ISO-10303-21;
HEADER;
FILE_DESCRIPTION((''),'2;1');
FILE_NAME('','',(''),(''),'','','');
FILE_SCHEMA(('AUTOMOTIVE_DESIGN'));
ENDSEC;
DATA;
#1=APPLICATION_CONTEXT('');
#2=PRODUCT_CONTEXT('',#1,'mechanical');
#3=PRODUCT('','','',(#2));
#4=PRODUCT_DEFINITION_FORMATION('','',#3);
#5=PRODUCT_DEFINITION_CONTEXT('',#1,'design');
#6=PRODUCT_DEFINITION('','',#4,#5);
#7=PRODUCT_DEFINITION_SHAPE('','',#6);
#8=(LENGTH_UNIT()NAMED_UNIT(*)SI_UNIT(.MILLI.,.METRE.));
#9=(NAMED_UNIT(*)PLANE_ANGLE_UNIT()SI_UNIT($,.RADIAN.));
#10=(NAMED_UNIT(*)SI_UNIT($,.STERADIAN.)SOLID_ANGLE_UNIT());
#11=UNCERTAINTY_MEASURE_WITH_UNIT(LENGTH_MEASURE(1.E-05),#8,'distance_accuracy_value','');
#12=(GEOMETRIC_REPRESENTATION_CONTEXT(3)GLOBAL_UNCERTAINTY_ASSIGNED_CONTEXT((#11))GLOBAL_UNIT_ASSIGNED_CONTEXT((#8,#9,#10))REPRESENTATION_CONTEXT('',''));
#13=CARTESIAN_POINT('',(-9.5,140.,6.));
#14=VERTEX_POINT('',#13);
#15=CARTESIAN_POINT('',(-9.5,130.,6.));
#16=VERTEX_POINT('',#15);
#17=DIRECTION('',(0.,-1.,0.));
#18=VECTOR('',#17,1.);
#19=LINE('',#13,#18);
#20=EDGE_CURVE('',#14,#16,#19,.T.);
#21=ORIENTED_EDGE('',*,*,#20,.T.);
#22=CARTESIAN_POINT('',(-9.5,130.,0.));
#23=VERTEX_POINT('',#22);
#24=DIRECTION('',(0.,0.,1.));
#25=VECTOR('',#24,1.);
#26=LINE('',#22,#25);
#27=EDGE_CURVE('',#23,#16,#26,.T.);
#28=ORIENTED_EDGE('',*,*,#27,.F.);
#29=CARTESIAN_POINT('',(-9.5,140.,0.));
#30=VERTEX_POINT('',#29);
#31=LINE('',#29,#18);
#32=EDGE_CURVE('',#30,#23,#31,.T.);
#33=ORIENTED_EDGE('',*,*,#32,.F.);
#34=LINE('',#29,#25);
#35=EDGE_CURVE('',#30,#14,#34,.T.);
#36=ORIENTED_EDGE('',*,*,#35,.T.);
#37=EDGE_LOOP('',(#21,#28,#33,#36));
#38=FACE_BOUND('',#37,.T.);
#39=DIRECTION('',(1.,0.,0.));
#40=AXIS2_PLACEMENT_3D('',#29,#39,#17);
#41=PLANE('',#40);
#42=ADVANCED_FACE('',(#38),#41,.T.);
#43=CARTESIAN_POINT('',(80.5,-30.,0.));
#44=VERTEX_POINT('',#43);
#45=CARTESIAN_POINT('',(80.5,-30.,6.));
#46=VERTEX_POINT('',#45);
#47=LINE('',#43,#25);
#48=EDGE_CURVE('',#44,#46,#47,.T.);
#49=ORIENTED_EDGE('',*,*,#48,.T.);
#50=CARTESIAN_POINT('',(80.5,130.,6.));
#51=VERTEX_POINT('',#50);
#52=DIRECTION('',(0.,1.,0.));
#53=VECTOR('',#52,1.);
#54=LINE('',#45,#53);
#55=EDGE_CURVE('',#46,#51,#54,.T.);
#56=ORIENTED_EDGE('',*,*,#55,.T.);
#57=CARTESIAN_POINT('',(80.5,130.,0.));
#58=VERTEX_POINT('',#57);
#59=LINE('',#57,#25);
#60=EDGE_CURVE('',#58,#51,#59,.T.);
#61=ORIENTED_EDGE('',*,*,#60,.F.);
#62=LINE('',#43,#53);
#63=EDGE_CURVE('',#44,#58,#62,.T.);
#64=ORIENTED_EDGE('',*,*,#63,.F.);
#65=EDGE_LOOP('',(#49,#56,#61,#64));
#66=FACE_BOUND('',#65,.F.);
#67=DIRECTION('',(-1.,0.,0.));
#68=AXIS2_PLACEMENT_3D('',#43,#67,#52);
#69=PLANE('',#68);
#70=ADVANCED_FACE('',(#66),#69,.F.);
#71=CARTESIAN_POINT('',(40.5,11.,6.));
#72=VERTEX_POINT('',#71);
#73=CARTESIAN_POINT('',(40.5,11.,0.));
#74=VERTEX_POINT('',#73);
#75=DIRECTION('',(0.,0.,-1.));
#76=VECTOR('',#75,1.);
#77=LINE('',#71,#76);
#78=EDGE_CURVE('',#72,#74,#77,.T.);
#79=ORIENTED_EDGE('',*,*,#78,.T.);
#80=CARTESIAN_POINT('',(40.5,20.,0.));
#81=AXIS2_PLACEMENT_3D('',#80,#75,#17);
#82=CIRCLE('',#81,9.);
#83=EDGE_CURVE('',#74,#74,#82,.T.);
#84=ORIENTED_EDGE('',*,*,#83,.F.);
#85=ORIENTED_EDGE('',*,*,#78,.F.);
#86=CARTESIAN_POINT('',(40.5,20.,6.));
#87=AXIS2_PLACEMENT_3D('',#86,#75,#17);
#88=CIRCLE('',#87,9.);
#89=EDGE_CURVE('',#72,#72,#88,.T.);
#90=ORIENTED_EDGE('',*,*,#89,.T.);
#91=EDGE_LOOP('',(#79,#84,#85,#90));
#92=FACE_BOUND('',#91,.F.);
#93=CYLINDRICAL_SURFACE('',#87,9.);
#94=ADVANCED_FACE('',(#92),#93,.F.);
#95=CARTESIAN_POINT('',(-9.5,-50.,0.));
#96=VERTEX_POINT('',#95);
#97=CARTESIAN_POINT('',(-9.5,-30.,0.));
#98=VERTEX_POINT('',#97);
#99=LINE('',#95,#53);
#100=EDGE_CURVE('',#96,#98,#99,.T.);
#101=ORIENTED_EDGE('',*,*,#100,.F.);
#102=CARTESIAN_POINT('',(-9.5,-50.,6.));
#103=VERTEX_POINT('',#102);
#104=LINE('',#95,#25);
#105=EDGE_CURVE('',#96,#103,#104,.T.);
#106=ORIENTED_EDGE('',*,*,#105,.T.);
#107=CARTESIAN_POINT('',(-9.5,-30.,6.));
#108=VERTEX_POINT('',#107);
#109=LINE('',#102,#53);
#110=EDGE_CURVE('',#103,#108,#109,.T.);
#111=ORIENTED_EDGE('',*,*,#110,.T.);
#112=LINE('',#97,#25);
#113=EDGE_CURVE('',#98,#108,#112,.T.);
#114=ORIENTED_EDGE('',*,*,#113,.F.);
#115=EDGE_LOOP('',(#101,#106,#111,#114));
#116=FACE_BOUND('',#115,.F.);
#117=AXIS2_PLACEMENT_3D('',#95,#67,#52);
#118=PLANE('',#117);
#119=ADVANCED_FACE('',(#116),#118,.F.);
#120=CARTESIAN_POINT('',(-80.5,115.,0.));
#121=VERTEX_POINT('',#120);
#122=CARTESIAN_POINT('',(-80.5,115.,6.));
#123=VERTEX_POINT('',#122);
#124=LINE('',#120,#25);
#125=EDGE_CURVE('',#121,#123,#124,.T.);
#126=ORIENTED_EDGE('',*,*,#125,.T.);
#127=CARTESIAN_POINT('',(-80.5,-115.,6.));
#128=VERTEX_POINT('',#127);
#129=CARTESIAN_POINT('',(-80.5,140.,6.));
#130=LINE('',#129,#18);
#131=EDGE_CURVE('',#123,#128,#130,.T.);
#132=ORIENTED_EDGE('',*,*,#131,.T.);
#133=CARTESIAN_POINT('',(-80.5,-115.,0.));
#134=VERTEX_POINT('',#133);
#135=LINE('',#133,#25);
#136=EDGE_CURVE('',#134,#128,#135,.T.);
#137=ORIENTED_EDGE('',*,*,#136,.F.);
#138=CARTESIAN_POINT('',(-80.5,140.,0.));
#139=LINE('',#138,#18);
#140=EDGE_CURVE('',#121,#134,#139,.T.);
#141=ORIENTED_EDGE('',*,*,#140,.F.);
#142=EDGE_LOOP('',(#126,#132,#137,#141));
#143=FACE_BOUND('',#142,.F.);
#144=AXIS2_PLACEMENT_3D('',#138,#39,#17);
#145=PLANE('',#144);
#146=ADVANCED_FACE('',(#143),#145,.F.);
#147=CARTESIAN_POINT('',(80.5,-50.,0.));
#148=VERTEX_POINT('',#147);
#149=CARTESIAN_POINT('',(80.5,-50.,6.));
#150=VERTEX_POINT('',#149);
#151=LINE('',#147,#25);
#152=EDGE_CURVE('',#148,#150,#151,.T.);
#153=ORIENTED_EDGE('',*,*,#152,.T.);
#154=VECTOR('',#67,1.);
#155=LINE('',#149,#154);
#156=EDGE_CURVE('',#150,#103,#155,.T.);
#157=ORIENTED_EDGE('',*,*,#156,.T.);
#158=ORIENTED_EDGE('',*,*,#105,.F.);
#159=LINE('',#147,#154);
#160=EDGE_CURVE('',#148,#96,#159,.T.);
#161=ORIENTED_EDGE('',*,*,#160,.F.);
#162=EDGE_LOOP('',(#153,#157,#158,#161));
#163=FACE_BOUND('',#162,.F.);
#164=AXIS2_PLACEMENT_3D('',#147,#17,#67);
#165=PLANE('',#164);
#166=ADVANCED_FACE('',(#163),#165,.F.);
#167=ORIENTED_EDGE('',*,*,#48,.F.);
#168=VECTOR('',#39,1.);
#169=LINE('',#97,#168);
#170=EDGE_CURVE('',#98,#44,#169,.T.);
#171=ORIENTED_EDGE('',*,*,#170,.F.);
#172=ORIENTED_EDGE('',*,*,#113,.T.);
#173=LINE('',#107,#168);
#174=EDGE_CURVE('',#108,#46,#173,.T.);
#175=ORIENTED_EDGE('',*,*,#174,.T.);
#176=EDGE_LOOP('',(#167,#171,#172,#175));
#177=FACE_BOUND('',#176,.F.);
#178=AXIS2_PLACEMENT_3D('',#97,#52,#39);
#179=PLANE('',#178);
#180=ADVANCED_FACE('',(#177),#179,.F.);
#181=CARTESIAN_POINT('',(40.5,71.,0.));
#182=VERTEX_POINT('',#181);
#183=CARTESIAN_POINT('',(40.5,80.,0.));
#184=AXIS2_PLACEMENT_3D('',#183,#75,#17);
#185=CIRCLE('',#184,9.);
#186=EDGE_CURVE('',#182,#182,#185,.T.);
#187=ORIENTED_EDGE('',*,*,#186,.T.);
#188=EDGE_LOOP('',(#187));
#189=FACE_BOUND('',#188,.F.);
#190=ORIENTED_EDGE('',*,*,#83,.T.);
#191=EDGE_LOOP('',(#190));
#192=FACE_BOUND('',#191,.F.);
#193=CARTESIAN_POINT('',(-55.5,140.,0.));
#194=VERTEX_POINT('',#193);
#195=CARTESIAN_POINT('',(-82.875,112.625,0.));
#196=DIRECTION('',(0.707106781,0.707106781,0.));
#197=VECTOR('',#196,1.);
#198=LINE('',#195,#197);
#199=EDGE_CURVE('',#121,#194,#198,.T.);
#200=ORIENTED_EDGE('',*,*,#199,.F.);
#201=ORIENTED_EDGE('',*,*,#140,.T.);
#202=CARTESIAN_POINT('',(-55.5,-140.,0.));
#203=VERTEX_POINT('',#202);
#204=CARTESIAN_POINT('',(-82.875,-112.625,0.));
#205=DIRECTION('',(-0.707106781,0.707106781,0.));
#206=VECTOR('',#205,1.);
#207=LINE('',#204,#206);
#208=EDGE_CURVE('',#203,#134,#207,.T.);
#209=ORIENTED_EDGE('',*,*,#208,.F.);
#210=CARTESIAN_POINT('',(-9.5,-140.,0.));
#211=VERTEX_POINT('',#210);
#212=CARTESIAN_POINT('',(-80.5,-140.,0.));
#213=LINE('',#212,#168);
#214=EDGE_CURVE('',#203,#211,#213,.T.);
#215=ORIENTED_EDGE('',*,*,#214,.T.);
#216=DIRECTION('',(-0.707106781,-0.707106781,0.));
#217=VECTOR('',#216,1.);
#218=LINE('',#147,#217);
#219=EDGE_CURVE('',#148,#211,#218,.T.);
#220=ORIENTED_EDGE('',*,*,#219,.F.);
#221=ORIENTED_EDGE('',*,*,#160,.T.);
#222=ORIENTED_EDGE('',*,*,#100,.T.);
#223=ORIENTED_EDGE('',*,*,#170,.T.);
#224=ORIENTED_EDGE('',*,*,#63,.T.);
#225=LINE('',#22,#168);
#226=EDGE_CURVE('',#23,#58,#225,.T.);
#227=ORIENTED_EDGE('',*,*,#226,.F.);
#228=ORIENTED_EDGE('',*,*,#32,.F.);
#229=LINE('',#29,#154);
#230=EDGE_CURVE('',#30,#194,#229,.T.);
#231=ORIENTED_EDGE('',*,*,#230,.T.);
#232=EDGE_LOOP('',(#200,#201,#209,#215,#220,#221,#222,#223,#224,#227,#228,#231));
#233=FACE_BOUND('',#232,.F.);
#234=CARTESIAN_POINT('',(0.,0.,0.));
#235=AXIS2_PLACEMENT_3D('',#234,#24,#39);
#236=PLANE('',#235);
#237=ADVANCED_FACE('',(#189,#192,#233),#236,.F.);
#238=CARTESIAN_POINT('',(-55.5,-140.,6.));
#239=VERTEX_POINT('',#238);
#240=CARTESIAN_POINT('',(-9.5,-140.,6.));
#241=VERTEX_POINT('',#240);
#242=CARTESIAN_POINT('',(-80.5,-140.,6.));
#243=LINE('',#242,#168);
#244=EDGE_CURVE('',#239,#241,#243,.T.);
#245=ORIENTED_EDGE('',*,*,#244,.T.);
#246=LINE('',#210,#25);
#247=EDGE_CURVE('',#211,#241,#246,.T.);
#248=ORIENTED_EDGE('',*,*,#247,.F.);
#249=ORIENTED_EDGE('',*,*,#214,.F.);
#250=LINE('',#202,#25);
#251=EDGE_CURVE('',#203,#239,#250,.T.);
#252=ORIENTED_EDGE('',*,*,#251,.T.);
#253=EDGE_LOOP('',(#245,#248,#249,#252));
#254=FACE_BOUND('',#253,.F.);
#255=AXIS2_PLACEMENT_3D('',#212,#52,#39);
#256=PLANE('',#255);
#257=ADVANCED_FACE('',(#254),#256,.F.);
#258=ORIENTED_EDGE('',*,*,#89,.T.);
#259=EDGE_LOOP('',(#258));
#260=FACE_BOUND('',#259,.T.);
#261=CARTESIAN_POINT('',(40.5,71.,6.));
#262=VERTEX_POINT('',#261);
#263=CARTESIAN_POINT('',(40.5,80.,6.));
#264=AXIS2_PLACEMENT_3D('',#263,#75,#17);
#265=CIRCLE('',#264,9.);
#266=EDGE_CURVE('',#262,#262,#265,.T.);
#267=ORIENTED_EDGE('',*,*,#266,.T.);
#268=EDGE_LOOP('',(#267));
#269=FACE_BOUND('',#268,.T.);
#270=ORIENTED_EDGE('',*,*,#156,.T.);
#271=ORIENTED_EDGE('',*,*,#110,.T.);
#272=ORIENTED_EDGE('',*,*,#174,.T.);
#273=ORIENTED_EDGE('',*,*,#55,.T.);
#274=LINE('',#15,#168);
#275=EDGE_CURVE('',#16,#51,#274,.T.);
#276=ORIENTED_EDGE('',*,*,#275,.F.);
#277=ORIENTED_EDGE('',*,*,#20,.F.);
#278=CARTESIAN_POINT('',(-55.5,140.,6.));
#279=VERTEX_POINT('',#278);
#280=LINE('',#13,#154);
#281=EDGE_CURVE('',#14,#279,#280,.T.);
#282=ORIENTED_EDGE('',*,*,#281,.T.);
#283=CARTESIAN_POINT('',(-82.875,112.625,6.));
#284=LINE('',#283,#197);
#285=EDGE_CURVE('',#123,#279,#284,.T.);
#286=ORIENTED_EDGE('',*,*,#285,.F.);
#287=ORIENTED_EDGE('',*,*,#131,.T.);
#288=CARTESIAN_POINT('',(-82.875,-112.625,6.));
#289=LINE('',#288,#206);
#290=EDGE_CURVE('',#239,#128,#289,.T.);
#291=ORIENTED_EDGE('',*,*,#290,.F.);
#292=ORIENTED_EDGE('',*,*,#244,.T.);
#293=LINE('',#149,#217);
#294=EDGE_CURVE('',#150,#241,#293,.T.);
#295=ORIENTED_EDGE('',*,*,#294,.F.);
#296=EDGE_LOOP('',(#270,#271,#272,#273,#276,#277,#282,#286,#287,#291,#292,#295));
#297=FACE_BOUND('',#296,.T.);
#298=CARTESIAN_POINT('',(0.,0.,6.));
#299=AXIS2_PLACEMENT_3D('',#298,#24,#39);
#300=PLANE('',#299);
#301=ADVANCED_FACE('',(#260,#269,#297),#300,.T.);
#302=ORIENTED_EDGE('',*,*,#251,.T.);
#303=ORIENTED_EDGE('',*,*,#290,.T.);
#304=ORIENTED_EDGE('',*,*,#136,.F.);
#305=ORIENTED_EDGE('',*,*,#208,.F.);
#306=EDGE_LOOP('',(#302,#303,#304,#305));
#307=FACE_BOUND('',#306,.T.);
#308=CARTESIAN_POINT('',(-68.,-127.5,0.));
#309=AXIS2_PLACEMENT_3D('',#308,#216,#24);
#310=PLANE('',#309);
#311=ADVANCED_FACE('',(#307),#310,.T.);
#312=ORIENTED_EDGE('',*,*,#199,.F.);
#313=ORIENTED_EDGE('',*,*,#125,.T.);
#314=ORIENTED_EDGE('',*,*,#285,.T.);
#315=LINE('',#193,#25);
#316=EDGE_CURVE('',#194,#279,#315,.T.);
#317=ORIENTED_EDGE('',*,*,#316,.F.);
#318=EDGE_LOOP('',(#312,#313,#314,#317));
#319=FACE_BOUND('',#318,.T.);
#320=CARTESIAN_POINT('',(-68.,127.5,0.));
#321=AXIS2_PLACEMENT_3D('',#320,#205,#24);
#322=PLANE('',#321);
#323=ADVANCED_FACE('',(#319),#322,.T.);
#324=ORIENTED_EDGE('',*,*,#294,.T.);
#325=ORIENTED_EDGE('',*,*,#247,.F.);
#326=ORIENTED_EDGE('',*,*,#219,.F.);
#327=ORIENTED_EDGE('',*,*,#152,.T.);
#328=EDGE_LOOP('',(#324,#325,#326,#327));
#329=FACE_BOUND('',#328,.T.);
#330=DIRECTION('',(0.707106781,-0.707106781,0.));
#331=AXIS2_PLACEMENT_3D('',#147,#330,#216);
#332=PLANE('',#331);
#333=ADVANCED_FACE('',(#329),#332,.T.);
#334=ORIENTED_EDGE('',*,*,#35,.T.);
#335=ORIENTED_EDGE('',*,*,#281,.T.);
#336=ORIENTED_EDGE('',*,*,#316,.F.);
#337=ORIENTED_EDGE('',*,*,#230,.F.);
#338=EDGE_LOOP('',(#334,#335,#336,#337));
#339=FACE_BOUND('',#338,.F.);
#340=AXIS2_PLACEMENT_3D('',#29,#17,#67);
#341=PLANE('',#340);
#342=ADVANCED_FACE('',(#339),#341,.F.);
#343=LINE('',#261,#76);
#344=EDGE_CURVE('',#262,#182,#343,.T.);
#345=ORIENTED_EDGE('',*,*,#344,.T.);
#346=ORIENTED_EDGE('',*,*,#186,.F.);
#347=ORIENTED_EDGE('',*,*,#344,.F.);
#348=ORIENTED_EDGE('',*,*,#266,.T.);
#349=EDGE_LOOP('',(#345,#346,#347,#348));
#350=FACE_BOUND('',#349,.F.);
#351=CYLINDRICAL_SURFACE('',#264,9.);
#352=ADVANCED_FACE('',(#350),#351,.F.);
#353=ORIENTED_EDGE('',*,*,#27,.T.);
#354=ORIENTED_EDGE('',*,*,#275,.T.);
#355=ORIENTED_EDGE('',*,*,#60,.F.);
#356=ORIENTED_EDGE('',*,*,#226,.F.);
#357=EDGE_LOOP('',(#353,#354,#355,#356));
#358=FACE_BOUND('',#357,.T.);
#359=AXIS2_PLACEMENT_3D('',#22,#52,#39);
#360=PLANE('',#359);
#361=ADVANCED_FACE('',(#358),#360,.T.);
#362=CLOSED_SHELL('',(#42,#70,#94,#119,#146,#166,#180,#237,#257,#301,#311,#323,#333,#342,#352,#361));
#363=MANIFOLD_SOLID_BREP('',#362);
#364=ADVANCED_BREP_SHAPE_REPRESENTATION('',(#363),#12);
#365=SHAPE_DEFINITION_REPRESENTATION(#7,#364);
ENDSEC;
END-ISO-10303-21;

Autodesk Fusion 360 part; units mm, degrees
sketch "スケッチ1" plane through (0, 0, 0) normal (0, 0, 1) x (1, 0, 0)
  line L0 (-9.5, 140) -> (-80.5, 140)
  line L1 (-80.5, 140) -> (-80.5, -140)
  line L2 (-80.5, -140) -> (-9.5, -140)
  line L3 (80.5, -30) -> (80.5, 130)
  line L4 (74.75, 130) -> (-80.5, -140) construction
  line L5 (-9.5, 140) -> (-9.5, 130)
  line L6 (-9.5, 130) -> (80.5, 130)
  line L7 (-80.5, -140) -> (-9.5, -140) construction
  line L8 (80.5, -50) -> (-9.5, -140)
  line L9 (80.5, -50) -> (-9.5, -50)
  line L10 (-9.5, -50) -> (-9.5, -30)
  line L11 (-9.5, -30) -> (80.5, -30)
  line L12 (-80.5, 140) -> (17.25, -30) construction
  line L13 (28.75, -50) -> (47.6429, -82.8571) construction
  dimension "d2" = 280
  dimension "d5" = 71
  dimension "d7" = 90
  dimension "d8" = 20
extrude "押し出し1" add sketch "スケッチ1" along normal blind 6
chamfer "面取り1" distance 25 angle 45 2 edges at (-80.5, -140, 3) (-80.5, 140, 3)
sketch "スケッチ2" plane through (0, 0, 6) normal (0, 0, 1) x (-1, 0, 0)
  line L0 (55.5, -140) -> (80.5, -115)
  line L1 (80.5, -115) -> (80.5, 115)
  line L2 (80.5, 115) -> (55.5, 140)
  line L3 (55.5, 140) -> (9.5, 140)
  line L4 (9.5, 140) -> (-80.5, 50)
  line L5 (-80.5, 50) -> (9.5, 50)
  line L6 (9.5, 50) -> (9.5, 30)
  line L7 (9.5, 30) -> (-80.5, 30)
  line L8 (-80.5, 30) -> (-80.5, -130)
  line L9 (-80.5, -130) -> (9.5, -130)
  line L10 (9.5, -130) -> (9.5, -140)
  line L11 (9.5, -140) -> (55.5, -140)
  line L12 (-80.5, -130) -> (-40.5, -130) construction
  line L13 (-40.5, -130) -> (-40.5, -80) construction
  line L14 (-40.5, -80) -> (-80.5, -80) construction
  line L15 (-80.5, -80) -> (-80.5, -130) construction
  line L16 (-40.5, -80) -> (-40.5, -20) construction
  point P0 (-40.5, -80)
  point P1 (-40.5, -20)
  dimension "d12" = 40
  dimension "d13" = 50
  dimension "d14" = 60
hole "穴1" at (40.5, 80, 6) at (40.5, 20, 6) direction (0, 0, -1) diameter 18 end through all
equation "d5 = 25 mm + 46 mm"
